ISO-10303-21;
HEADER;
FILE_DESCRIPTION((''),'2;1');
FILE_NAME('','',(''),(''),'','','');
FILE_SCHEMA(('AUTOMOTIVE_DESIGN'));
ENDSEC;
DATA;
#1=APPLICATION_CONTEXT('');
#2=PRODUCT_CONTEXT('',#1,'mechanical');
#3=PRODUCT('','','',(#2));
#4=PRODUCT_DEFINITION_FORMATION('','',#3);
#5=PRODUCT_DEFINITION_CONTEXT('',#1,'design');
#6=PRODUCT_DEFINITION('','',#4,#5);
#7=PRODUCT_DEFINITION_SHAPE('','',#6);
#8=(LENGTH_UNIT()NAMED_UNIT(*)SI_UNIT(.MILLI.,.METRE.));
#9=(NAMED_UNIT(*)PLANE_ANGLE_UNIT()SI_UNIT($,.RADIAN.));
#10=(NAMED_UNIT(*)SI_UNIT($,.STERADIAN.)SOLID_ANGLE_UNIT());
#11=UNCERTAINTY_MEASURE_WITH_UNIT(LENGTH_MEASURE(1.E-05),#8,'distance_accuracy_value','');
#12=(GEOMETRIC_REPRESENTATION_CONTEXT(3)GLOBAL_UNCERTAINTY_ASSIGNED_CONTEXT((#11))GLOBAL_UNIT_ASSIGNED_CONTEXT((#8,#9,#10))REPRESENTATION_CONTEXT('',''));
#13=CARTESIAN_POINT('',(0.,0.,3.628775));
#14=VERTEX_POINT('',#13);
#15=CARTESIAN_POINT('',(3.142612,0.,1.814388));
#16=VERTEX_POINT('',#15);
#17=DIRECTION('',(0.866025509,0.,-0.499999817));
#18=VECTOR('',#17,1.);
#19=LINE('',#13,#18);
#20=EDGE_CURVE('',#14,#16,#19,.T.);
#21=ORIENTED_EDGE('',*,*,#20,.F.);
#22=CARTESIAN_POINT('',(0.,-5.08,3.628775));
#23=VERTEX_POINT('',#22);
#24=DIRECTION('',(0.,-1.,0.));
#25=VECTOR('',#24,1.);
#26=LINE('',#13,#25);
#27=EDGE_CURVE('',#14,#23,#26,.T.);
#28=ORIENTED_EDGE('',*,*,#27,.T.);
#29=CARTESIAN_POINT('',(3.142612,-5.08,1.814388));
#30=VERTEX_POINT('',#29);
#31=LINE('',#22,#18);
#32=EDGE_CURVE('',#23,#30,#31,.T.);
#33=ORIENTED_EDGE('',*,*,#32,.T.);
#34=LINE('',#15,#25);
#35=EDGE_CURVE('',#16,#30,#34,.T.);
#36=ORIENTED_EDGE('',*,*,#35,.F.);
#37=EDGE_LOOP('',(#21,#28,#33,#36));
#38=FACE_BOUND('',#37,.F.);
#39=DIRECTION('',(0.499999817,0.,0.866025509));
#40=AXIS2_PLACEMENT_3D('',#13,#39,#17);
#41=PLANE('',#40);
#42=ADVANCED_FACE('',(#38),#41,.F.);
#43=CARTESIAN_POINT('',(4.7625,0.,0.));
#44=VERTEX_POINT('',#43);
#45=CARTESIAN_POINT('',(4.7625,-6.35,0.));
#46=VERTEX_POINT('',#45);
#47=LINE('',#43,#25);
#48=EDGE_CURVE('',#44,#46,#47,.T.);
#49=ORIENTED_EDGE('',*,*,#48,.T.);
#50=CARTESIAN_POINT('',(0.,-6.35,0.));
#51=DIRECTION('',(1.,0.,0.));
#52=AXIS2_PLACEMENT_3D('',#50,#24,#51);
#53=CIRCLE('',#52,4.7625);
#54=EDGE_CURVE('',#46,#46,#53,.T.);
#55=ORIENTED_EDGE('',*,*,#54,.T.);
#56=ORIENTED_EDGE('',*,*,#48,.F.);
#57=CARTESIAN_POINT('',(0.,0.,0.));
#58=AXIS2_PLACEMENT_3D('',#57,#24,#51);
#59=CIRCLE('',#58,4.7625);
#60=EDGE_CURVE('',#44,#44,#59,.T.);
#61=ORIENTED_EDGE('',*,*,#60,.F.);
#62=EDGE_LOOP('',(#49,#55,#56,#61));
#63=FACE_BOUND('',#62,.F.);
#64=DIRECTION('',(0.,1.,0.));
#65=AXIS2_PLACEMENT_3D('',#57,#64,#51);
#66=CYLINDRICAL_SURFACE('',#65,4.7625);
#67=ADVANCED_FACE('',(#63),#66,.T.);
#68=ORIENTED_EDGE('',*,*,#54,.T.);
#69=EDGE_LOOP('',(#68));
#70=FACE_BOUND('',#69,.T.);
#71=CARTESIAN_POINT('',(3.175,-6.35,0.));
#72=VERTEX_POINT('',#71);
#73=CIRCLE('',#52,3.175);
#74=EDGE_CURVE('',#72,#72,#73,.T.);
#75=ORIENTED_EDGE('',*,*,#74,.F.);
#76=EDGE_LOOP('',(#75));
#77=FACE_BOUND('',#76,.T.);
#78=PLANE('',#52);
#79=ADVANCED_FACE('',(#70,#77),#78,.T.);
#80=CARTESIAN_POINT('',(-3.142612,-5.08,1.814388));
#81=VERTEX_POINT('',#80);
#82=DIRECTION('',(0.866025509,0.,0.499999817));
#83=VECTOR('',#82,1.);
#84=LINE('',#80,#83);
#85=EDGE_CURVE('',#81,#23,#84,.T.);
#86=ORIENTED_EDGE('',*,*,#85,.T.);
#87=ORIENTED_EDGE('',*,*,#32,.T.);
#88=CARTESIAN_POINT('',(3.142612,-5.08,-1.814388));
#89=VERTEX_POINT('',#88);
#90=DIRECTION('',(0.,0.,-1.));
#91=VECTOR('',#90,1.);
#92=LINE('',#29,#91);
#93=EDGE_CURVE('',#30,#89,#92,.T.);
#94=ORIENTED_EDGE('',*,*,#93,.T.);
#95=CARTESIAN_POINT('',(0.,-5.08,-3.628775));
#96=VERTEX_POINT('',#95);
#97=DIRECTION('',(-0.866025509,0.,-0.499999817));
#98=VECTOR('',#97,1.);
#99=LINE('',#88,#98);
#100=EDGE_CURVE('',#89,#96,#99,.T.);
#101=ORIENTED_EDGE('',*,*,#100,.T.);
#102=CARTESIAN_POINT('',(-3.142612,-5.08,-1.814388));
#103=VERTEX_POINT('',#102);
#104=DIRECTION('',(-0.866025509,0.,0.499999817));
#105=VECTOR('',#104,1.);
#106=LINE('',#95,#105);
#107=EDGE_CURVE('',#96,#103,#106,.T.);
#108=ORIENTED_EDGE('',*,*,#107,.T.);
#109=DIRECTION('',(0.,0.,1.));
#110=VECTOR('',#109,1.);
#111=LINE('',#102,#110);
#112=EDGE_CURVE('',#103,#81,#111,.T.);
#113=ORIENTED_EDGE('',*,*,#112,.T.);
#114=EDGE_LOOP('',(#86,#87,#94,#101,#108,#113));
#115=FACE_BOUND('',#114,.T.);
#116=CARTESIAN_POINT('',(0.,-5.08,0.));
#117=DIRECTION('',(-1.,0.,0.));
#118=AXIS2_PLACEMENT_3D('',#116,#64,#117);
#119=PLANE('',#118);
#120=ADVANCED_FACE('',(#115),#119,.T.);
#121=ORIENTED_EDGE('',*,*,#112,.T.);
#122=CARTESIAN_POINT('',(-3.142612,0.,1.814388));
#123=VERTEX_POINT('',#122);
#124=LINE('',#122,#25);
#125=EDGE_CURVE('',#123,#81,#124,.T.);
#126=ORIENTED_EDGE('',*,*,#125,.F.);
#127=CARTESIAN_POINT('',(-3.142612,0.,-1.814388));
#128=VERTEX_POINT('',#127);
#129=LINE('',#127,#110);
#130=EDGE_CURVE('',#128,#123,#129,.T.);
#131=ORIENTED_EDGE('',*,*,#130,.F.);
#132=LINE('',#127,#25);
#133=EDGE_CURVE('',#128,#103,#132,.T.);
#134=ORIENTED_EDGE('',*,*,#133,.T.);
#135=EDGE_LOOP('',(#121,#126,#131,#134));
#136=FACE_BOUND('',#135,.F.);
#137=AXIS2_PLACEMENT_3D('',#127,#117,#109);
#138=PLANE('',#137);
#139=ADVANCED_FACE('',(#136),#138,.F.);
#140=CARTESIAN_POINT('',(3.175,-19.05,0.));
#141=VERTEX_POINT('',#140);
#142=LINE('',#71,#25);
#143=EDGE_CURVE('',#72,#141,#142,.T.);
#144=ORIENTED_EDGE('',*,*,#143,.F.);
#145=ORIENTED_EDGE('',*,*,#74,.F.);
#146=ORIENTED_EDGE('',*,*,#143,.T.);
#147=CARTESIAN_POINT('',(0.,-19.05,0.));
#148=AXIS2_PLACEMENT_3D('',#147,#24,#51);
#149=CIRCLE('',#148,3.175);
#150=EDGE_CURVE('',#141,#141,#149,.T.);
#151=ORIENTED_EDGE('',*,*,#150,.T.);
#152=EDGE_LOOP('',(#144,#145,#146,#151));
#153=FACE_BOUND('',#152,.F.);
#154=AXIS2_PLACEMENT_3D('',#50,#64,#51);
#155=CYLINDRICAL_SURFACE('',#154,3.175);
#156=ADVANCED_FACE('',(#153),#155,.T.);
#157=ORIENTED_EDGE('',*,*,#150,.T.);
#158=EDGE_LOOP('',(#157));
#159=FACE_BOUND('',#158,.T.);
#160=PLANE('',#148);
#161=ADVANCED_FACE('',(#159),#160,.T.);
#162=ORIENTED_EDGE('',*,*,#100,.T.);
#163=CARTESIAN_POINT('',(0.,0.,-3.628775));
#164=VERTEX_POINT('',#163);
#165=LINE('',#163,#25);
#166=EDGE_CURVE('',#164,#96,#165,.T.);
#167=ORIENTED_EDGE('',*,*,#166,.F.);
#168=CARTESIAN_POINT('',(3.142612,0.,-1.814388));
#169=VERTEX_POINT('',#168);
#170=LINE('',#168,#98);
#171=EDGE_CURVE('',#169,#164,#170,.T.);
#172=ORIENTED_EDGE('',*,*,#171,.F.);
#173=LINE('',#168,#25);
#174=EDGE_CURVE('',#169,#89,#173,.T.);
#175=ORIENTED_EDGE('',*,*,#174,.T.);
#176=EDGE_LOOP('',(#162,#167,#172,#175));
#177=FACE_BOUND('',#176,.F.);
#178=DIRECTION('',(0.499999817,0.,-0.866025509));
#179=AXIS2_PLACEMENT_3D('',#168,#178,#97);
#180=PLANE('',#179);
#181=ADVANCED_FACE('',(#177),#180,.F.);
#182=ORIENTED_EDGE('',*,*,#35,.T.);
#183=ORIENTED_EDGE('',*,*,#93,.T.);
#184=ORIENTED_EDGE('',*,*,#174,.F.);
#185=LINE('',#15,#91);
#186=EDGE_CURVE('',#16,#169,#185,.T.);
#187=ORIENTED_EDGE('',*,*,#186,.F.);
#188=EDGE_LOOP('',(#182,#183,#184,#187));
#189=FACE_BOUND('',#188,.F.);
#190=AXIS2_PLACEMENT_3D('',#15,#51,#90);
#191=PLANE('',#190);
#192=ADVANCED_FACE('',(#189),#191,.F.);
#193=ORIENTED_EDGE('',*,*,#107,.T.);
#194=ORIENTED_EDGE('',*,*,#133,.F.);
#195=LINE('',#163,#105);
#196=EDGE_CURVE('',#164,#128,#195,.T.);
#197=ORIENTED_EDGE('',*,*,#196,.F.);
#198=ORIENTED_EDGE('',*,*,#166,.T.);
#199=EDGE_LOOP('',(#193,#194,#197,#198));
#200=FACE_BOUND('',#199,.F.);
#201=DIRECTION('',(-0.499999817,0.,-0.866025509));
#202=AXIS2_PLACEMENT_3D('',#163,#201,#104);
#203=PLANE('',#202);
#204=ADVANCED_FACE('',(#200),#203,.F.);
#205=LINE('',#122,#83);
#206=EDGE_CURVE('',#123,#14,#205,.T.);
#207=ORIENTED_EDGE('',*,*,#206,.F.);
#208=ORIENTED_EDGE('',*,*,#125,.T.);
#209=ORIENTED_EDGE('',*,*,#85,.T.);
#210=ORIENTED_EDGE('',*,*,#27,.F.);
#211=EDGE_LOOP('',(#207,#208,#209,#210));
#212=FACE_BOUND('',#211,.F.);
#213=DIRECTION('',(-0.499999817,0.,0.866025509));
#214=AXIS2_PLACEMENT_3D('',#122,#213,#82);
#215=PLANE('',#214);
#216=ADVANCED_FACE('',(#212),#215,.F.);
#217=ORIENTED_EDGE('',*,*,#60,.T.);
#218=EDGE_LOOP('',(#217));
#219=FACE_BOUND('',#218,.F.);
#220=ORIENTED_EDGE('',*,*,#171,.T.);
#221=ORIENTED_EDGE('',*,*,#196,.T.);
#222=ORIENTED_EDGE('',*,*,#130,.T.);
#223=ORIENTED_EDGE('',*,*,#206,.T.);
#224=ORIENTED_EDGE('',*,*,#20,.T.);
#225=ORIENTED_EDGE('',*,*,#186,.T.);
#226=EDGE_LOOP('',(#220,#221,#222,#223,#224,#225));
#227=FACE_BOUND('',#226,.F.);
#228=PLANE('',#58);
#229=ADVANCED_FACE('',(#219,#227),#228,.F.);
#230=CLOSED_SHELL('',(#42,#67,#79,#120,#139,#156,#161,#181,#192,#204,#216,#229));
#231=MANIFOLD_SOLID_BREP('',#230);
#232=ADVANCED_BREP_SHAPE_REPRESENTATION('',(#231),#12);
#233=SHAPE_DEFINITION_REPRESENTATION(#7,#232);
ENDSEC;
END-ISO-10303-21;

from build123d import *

# Parameters (mm, degrees)
F0_R     = 4.7625
F1_DEPTH = 6.35
F2_R     = 3.175
F3_DEPTH = 12.7
F5_DEPTH = 5.08


with BuildPart() as f1:
    # F0 (on Front) → F1 (new body)
    with BuildSketch(Plane.XZ):
        Circle(F0_R)
    extrude(amount=F1_DEPTH)

    # F2 (on face) → F3 (join)
    with BuildSketch(Plane.XZ.offset(6.35)):
        Circle(F2_R)
    extrude(amount=F3_DEPTH)

    # F4 (on face) → F5 (cut)
    with BuildSketch(Plane(origin=(0, 0, 0), x_dir=(-1, 0, 0), z_dir=(0, 1, 0))):
        Polygon((3.142612, -1.814388), (3.142612, 1.814388), (0, 3.628775), (-3.142612, 1.814388), (-3.142612, -1.814388), (0, -3.628775), align=None)
    extrude(amount=-F5_DEPTH, mode=Mode.SUBTRACT)


solid = f1.part
